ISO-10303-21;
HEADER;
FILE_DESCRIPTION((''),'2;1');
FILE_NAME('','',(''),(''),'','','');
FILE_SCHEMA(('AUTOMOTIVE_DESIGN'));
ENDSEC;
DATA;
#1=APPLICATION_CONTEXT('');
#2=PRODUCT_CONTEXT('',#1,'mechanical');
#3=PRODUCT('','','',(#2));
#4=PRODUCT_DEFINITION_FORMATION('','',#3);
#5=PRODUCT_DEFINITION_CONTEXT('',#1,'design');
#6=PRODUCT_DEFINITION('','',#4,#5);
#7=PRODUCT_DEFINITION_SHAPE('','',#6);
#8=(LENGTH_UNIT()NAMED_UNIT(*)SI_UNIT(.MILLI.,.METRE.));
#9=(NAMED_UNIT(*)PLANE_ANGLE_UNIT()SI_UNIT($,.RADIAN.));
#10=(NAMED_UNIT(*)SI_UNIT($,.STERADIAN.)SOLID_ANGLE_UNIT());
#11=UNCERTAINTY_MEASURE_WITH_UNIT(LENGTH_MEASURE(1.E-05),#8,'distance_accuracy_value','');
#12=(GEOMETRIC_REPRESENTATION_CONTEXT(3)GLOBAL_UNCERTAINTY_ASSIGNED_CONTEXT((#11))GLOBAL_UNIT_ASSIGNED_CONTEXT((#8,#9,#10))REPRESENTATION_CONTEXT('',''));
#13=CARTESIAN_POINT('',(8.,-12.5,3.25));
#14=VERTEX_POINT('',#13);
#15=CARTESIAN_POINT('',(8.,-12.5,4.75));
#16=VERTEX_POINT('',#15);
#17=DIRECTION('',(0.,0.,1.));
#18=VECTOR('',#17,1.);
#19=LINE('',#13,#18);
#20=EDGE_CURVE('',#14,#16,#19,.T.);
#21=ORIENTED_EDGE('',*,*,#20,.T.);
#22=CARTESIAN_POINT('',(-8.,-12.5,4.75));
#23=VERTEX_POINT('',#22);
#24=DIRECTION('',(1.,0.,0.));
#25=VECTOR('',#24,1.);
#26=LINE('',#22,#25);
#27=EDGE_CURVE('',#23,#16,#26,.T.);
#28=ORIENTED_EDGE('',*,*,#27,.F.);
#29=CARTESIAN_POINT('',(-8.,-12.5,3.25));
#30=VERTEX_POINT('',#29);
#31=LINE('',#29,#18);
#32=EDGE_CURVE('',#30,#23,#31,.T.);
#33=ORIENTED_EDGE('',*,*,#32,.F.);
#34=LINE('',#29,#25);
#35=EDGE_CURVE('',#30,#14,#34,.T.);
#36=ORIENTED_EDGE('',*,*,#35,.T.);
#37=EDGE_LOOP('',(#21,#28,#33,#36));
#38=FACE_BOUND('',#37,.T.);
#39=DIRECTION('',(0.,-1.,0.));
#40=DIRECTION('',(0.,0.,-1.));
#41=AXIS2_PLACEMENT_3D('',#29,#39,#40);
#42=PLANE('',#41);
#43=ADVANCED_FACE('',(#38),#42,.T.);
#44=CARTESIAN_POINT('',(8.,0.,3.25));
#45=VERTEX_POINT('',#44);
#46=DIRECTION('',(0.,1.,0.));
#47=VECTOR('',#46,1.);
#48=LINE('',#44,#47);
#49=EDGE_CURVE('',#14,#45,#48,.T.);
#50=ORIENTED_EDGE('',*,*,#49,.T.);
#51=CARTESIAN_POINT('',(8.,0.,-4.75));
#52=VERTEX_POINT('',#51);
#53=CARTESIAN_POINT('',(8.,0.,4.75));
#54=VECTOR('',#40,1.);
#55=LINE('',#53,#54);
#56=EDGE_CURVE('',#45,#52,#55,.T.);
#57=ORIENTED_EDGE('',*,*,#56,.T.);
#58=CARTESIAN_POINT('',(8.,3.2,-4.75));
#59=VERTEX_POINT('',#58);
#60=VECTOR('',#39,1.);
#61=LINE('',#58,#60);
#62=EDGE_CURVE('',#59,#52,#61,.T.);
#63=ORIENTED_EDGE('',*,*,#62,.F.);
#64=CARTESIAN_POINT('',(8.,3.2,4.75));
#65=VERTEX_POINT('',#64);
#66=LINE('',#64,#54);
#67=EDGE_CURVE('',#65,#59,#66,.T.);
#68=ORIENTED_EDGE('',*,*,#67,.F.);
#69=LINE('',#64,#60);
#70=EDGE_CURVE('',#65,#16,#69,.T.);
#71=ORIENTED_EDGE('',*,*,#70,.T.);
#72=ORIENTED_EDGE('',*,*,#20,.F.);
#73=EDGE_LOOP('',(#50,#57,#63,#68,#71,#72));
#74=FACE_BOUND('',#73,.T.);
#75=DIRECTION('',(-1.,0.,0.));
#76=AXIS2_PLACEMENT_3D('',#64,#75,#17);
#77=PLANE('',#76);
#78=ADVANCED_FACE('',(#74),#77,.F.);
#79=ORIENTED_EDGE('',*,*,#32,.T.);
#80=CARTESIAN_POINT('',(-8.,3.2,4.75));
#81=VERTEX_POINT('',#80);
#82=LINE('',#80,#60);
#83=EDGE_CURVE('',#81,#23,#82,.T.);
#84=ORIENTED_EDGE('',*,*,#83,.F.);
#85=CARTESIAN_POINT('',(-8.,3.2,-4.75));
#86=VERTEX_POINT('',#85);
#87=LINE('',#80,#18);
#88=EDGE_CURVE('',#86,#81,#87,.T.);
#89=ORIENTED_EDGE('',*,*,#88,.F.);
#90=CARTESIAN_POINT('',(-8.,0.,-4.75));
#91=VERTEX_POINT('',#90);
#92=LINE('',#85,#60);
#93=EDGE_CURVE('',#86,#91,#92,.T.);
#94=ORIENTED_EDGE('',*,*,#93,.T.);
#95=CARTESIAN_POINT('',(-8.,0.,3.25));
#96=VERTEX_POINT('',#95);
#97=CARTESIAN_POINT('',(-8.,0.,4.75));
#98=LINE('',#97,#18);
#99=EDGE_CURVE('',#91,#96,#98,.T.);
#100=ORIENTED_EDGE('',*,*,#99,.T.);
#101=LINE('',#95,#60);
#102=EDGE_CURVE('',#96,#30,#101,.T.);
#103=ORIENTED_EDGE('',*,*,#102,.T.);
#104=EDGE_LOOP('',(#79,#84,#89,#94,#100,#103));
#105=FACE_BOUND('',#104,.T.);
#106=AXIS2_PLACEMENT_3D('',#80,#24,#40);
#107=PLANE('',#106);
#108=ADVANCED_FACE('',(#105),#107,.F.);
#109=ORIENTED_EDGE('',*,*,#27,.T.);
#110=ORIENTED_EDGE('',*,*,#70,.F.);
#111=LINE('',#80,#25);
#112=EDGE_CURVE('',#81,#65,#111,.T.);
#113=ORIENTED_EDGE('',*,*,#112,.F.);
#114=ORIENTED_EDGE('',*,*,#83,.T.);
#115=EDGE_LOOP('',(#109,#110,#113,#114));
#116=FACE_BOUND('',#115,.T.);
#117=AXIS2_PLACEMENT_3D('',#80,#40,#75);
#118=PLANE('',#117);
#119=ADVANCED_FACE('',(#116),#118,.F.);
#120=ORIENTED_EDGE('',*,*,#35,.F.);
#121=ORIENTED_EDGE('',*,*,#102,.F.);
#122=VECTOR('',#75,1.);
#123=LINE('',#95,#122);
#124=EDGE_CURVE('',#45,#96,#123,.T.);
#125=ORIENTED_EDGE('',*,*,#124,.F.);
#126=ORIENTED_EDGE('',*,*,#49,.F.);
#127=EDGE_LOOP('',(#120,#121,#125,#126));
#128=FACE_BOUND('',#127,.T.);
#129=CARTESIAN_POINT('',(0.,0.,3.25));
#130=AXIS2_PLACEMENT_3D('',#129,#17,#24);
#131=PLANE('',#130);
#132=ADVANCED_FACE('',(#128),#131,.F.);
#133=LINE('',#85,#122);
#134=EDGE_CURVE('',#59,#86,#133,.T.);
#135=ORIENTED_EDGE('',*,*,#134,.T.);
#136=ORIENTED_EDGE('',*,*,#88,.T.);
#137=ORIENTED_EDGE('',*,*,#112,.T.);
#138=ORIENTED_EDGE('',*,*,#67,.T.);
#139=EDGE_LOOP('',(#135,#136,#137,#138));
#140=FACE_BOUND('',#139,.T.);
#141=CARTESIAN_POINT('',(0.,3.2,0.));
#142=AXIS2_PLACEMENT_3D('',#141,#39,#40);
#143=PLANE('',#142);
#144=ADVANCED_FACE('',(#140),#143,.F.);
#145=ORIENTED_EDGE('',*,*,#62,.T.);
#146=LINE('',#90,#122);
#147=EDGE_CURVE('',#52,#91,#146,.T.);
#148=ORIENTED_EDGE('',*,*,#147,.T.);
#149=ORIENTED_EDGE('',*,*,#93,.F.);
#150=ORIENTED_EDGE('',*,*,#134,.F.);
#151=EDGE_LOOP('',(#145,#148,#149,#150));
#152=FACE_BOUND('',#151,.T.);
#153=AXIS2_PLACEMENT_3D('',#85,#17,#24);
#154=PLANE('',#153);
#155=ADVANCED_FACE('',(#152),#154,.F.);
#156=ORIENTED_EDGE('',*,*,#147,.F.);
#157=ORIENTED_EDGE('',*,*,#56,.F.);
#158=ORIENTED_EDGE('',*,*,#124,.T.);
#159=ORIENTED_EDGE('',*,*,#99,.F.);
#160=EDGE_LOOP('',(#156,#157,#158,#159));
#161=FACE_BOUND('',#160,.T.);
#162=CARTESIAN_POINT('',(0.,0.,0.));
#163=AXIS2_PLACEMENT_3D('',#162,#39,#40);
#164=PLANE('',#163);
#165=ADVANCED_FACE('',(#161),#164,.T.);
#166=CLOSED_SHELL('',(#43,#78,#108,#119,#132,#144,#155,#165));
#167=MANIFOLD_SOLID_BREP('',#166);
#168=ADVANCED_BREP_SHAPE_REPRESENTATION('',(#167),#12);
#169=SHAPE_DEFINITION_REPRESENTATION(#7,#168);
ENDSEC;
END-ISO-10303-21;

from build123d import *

# Parameters (mm, degrees)
SKETCH1_W           = 16
SKETCH1_H           = 9.5
BOSS_EXTRUDE1_DEPTH = 3.2
SKETCH2_W           = 16
SKETCH2_H           = 12.5
BOSS_EXTRUDE2_DEPTH = 1.5


with BuildPart() as part:
    # Sketch1 → Boss-Extrude1 (new body)
    with BuildSketch(Plane(origin=(0, 0, 0), x_dir=(1, 0, 0), z_dir=(0, 1, 0))):
        Rectangle(SKETCH1_W, SKETCH1_H)
    extrude(amount=BOSS_EXTRUDE1_DEPTH)

    # Sketch2 → Boss-Extrude2 (add)
    with BuildSketch(Plane.XY.offset(4.75)):
        with Locations((0, -6.25)):
            Rectangle(SKETCH2_W, SKETCH2_H)
    extrude(amount=-BOSS_EXTRUDE2_DEPTH)


solid = part.part
